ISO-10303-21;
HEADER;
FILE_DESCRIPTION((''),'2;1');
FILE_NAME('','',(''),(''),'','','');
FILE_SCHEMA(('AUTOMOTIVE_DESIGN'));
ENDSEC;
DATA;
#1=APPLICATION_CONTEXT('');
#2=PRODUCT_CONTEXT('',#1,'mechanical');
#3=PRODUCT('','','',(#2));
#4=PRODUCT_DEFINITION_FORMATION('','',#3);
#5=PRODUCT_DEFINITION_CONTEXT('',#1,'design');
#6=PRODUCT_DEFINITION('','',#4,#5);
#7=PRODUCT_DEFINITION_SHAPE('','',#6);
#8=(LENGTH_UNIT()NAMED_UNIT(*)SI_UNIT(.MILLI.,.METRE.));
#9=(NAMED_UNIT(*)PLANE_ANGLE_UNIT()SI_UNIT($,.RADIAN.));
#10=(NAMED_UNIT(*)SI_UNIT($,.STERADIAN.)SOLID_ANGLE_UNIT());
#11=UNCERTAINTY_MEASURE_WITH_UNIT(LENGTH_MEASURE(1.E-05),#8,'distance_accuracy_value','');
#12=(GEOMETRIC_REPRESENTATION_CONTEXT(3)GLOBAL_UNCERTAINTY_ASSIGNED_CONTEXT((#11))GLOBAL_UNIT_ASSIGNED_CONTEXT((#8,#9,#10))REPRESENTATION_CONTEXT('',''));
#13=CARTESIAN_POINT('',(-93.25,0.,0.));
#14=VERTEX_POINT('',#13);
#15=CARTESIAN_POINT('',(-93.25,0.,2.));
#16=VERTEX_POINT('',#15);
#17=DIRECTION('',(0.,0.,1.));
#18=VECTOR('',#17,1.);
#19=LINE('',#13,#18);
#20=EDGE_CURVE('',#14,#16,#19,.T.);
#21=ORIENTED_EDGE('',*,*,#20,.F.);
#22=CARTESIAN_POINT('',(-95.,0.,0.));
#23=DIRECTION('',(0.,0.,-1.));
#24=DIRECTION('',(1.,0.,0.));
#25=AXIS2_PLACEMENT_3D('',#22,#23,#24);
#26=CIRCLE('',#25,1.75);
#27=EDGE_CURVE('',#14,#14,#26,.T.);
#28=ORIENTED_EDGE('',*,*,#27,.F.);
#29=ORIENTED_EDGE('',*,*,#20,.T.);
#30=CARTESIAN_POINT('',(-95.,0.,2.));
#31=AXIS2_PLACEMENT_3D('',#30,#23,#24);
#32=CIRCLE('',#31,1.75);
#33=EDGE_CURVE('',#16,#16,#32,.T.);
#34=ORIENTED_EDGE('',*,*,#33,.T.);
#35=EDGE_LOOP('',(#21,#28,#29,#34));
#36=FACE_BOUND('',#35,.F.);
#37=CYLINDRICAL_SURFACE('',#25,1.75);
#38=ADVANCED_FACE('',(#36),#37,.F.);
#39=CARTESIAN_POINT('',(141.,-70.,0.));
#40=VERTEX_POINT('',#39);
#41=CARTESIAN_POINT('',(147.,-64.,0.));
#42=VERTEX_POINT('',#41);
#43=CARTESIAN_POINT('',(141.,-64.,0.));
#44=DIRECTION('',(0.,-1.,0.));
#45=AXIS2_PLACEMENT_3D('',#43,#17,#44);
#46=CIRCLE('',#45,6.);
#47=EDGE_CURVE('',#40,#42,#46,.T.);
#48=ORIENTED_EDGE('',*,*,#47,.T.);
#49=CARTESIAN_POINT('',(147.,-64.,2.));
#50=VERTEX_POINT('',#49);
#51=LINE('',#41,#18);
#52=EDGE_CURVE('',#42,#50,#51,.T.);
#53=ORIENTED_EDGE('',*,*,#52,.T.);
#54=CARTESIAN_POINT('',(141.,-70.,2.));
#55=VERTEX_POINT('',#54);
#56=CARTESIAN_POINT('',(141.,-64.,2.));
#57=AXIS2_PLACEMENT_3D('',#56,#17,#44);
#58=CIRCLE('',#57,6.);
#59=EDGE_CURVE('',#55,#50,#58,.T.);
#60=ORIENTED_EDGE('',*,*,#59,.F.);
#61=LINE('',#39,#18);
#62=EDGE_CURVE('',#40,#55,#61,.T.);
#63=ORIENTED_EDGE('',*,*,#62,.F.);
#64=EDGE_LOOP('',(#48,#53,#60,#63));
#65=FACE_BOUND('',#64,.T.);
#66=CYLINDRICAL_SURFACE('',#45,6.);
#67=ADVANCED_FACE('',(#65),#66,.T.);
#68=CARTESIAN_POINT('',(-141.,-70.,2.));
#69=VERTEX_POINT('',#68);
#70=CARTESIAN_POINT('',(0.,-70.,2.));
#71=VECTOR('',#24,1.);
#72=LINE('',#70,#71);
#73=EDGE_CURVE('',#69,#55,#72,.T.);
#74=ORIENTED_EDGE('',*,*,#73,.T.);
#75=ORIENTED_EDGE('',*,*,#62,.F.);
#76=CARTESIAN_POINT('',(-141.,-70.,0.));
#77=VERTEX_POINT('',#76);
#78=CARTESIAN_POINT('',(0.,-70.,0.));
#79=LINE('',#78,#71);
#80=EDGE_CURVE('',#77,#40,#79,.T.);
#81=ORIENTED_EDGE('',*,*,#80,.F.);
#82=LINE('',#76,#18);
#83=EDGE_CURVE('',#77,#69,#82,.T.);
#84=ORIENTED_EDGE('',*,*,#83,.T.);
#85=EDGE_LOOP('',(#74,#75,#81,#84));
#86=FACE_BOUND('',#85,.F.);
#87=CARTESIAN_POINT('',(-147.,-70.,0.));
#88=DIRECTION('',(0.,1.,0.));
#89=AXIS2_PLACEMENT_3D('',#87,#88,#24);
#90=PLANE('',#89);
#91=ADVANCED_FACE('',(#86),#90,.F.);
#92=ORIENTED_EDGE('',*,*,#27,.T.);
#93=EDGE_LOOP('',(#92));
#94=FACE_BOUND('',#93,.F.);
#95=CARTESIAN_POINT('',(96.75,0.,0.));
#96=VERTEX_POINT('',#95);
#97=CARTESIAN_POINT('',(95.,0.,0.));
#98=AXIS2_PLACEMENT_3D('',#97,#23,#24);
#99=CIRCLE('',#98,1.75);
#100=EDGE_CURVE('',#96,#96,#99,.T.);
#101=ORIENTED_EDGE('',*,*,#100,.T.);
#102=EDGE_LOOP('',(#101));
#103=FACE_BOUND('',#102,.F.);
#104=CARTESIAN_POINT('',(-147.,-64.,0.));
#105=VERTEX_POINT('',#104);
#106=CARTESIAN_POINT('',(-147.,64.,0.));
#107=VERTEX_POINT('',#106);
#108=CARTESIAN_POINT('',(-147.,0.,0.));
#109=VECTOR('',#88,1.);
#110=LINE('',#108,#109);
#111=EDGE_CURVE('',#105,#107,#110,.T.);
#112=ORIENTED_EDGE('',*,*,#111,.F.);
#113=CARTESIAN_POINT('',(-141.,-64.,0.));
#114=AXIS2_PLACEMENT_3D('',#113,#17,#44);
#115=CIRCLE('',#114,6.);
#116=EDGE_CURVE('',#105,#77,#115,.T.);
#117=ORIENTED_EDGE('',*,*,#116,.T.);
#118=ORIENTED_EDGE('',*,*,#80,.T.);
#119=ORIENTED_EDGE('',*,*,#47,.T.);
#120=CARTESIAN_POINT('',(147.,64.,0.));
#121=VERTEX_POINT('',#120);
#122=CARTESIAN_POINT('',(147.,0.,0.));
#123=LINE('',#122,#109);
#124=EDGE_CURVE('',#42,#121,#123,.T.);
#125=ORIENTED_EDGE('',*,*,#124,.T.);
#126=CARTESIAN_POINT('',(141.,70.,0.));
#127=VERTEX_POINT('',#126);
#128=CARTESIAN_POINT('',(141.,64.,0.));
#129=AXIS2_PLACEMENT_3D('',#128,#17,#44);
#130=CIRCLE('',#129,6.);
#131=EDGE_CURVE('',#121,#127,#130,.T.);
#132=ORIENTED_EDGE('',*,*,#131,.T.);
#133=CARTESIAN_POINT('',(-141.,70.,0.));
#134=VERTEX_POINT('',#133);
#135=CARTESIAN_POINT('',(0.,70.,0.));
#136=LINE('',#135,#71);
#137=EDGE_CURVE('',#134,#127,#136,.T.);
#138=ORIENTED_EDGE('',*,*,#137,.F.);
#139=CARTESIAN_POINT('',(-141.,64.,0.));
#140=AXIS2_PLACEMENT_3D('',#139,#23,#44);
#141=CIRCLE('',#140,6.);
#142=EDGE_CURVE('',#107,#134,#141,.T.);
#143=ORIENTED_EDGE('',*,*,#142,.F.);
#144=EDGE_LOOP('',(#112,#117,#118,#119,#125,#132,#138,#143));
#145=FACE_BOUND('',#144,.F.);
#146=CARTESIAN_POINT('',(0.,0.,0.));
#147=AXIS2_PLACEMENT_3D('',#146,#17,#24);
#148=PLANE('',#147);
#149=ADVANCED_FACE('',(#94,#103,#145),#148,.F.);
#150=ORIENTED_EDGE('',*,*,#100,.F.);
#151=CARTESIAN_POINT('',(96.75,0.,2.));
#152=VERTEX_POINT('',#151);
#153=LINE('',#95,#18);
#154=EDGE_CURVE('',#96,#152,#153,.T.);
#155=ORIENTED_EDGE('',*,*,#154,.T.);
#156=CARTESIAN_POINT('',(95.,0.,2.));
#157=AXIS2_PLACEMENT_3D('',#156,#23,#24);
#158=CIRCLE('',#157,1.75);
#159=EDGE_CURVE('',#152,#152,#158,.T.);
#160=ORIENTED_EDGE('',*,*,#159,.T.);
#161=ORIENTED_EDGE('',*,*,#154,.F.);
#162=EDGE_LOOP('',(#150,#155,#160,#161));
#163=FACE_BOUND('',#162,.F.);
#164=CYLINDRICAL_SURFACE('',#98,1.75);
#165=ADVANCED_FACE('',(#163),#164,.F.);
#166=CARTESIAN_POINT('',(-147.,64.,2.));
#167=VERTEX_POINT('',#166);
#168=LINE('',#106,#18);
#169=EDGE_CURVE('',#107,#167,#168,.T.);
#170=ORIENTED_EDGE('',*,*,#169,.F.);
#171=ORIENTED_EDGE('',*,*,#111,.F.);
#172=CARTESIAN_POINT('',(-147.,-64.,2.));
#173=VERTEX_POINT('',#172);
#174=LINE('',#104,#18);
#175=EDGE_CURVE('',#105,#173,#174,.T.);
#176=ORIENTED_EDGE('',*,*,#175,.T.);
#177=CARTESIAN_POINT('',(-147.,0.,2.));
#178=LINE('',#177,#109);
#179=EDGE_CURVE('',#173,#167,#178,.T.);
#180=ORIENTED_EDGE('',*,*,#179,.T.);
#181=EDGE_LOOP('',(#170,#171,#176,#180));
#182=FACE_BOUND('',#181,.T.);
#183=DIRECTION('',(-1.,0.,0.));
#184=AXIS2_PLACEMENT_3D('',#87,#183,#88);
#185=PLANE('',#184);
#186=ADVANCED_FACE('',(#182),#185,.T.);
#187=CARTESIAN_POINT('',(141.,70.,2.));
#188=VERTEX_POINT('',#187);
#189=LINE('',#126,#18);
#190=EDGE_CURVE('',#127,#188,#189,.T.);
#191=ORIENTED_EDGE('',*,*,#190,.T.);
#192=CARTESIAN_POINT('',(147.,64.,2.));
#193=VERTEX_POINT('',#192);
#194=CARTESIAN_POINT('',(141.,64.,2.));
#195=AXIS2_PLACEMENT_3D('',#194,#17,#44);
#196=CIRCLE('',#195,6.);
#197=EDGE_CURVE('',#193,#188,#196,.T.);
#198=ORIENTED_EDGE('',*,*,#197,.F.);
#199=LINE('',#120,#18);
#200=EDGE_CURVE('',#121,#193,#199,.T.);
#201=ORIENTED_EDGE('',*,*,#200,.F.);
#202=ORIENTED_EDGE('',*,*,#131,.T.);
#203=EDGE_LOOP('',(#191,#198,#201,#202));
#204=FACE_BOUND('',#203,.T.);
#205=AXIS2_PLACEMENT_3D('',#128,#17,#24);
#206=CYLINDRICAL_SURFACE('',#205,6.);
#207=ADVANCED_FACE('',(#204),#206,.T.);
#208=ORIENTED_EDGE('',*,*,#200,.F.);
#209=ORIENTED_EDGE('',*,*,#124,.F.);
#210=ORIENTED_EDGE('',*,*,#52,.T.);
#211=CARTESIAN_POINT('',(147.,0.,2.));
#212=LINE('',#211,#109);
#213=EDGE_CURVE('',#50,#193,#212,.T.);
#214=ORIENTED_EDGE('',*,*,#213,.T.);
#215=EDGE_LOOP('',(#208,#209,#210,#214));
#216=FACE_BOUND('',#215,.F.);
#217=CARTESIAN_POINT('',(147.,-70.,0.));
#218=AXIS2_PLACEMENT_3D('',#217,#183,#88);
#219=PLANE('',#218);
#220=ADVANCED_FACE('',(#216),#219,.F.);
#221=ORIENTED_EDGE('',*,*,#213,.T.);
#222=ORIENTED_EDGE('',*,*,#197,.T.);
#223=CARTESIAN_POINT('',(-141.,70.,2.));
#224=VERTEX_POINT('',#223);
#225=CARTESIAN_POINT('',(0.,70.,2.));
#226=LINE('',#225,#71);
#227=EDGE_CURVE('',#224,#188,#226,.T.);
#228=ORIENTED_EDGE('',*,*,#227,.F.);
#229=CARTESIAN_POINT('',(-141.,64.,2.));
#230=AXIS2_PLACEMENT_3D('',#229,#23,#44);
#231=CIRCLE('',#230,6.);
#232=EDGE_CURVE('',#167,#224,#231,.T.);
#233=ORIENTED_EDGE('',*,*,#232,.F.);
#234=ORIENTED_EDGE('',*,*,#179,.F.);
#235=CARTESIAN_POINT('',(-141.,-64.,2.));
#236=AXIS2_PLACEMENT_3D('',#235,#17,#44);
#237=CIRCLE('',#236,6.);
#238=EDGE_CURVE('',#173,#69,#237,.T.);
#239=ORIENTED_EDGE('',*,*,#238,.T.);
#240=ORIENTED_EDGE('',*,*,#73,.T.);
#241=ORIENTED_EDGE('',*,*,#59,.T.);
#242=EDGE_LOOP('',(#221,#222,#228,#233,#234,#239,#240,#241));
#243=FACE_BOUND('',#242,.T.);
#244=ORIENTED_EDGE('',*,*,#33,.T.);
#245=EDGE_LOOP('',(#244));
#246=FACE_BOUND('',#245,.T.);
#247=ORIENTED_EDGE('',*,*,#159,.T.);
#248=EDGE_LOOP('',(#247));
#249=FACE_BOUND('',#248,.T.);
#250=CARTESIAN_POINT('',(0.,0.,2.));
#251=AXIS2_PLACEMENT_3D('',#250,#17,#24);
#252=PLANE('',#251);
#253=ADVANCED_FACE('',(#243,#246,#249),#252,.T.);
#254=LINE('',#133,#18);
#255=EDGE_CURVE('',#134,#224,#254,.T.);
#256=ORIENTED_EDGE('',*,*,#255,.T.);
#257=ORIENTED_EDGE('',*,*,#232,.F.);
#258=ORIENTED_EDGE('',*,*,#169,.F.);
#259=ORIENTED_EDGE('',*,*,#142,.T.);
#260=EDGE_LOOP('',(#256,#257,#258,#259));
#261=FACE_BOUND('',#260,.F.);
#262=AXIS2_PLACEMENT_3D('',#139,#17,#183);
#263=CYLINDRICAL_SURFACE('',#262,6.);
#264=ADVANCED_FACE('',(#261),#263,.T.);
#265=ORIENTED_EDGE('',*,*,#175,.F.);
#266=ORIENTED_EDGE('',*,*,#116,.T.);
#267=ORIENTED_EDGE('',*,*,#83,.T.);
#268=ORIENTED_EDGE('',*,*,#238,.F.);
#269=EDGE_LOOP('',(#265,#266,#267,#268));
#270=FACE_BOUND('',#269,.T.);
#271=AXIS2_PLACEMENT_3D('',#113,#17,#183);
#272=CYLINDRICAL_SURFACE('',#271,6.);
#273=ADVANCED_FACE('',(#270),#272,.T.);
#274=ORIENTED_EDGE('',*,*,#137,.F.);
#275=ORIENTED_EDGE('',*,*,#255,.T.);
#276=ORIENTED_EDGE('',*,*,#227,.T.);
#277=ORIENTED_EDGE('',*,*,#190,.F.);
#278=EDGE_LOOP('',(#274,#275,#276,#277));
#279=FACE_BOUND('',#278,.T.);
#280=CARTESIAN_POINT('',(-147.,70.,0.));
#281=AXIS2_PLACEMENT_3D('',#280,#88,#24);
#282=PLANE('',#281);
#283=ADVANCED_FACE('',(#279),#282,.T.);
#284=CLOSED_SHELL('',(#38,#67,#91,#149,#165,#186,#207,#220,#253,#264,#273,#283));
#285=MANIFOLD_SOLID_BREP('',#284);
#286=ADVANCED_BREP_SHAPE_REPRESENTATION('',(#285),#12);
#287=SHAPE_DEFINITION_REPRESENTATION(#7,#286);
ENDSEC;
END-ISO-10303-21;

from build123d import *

# Parameters (mm, degrees)
F0_W     = 294
F0_H     = 140
F1_DEPTH = 2
F2_R     = 6
F3_R     = 1.75
F4_DEPTH = 2


with BuildPart() as f1:
    # F0 (on Top) → F1 (new body)
    with BuildSketch(Plane.XY):
        Rectangle(F0_W, F0_H)
    extrude(amount=F1_DEPTH)

    # F2
    f2_edges = [f1.edges().sort_by_distance(p)[0] for p in [
        (147, -70, 1),
        (147, 70, 1),
        (-147, -70, 1),
        (-147, 70, 1),
    ]]
    fillet(f2_edges, radius=F2_R)

    # F3 (on face) → F4 (cut, through all)
    with BuildSketch(Plane(origin=(0, 0, 0), x_dir=(1, 0, 0), z_dir=(0, 0, -1))):
        with Locations((-95, 0)):
            Circle(F3_R)
        with Locations((95, 0)):
            Circle(F3_R)
    extrude(amount=-F4_DEPTH, mode=Mode.SUBTRACT)


solid = f1.part
